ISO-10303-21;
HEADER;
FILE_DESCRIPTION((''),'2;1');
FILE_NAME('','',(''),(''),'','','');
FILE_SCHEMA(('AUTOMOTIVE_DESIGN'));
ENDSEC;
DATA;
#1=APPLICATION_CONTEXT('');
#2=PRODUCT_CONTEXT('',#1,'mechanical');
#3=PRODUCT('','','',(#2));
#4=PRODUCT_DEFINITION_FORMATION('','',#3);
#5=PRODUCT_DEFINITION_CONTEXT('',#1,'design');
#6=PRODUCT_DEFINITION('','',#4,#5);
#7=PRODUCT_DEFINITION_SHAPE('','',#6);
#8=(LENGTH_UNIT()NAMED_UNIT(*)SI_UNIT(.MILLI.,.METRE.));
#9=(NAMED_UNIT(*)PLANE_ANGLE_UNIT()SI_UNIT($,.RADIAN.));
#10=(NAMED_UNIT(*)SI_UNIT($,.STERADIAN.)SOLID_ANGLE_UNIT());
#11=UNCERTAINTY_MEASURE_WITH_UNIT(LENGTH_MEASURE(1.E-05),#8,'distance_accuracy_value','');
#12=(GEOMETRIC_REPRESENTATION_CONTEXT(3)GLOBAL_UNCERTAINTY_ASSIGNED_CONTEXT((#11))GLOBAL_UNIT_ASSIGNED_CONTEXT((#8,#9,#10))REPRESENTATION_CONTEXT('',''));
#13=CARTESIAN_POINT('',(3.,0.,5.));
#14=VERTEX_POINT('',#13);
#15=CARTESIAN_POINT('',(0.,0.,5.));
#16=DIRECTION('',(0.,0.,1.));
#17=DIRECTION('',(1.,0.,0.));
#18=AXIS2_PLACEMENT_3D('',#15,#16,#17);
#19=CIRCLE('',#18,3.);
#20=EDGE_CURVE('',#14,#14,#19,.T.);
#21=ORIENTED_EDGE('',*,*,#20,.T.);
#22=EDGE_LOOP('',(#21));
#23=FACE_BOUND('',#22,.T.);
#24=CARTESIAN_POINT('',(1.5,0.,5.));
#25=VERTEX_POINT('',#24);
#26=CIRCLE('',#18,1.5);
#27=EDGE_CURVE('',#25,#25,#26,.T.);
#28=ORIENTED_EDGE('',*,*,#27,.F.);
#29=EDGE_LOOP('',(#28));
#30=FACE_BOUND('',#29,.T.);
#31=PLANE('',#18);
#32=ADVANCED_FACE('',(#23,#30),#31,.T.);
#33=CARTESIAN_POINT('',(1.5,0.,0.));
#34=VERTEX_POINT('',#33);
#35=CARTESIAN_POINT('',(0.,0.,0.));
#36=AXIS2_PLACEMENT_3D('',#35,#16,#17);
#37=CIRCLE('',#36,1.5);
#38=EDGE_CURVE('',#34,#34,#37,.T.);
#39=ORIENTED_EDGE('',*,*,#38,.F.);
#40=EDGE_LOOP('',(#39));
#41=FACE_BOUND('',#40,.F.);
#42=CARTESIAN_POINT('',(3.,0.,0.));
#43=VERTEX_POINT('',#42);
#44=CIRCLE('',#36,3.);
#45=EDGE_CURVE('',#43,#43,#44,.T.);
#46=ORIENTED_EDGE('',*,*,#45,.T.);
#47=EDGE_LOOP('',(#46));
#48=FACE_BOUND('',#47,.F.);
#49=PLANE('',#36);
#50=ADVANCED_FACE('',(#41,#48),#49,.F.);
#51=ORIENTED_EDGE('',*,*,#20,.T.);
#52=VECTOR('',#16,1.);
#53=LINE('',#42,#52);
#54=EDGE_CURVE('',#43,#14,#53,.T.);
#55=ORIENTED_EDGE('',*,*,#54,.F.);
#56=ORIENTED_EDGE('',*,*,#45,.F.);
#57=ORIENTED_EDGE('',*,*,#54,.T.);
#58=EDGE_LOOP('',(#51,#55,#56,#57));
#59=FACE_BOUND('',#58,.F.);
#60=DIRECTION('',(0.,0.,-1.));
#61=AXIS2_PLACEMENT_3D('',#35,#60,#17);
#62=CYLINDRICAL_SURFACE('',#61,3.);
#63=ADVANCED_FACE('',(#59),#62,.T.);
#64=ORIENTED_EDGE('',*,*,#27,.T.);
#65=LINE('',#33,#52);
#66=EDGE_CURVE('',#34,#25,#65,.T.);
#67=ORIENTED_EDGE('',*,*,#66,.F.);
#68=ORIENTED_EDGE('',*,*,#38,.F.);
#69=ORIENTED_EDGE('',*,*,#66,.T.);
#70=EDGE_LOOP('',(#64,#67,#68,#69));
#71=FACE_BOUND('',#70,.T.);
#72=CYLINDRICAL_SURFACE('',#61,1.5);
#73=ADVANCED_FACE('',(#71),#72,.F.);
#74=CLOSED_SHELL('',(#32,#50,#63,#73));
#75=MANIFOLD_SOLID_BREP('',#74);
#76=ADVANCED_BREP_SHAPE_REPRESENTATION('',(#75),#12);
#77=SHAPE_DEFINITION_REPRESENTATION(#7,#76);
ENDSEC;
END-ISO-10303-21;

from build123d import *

# Parameters (mm, degrees)
SKETCH1_R      = 3
SKETCH1_R_2    = 1.5
EXTRUDE1_DEPTH = 5


with BuildPart() as part:
    # Sketch1 → Extrude1 (new body)
    with BuildSketch(Plane.XY):
        Circle(SKETCH1_R)
        Circle(SKETCH1_R_2, mode=Mode.SUBTRACT)
    extrude(amount=EXTRUDE1_DEPTH)


solid = part.part
